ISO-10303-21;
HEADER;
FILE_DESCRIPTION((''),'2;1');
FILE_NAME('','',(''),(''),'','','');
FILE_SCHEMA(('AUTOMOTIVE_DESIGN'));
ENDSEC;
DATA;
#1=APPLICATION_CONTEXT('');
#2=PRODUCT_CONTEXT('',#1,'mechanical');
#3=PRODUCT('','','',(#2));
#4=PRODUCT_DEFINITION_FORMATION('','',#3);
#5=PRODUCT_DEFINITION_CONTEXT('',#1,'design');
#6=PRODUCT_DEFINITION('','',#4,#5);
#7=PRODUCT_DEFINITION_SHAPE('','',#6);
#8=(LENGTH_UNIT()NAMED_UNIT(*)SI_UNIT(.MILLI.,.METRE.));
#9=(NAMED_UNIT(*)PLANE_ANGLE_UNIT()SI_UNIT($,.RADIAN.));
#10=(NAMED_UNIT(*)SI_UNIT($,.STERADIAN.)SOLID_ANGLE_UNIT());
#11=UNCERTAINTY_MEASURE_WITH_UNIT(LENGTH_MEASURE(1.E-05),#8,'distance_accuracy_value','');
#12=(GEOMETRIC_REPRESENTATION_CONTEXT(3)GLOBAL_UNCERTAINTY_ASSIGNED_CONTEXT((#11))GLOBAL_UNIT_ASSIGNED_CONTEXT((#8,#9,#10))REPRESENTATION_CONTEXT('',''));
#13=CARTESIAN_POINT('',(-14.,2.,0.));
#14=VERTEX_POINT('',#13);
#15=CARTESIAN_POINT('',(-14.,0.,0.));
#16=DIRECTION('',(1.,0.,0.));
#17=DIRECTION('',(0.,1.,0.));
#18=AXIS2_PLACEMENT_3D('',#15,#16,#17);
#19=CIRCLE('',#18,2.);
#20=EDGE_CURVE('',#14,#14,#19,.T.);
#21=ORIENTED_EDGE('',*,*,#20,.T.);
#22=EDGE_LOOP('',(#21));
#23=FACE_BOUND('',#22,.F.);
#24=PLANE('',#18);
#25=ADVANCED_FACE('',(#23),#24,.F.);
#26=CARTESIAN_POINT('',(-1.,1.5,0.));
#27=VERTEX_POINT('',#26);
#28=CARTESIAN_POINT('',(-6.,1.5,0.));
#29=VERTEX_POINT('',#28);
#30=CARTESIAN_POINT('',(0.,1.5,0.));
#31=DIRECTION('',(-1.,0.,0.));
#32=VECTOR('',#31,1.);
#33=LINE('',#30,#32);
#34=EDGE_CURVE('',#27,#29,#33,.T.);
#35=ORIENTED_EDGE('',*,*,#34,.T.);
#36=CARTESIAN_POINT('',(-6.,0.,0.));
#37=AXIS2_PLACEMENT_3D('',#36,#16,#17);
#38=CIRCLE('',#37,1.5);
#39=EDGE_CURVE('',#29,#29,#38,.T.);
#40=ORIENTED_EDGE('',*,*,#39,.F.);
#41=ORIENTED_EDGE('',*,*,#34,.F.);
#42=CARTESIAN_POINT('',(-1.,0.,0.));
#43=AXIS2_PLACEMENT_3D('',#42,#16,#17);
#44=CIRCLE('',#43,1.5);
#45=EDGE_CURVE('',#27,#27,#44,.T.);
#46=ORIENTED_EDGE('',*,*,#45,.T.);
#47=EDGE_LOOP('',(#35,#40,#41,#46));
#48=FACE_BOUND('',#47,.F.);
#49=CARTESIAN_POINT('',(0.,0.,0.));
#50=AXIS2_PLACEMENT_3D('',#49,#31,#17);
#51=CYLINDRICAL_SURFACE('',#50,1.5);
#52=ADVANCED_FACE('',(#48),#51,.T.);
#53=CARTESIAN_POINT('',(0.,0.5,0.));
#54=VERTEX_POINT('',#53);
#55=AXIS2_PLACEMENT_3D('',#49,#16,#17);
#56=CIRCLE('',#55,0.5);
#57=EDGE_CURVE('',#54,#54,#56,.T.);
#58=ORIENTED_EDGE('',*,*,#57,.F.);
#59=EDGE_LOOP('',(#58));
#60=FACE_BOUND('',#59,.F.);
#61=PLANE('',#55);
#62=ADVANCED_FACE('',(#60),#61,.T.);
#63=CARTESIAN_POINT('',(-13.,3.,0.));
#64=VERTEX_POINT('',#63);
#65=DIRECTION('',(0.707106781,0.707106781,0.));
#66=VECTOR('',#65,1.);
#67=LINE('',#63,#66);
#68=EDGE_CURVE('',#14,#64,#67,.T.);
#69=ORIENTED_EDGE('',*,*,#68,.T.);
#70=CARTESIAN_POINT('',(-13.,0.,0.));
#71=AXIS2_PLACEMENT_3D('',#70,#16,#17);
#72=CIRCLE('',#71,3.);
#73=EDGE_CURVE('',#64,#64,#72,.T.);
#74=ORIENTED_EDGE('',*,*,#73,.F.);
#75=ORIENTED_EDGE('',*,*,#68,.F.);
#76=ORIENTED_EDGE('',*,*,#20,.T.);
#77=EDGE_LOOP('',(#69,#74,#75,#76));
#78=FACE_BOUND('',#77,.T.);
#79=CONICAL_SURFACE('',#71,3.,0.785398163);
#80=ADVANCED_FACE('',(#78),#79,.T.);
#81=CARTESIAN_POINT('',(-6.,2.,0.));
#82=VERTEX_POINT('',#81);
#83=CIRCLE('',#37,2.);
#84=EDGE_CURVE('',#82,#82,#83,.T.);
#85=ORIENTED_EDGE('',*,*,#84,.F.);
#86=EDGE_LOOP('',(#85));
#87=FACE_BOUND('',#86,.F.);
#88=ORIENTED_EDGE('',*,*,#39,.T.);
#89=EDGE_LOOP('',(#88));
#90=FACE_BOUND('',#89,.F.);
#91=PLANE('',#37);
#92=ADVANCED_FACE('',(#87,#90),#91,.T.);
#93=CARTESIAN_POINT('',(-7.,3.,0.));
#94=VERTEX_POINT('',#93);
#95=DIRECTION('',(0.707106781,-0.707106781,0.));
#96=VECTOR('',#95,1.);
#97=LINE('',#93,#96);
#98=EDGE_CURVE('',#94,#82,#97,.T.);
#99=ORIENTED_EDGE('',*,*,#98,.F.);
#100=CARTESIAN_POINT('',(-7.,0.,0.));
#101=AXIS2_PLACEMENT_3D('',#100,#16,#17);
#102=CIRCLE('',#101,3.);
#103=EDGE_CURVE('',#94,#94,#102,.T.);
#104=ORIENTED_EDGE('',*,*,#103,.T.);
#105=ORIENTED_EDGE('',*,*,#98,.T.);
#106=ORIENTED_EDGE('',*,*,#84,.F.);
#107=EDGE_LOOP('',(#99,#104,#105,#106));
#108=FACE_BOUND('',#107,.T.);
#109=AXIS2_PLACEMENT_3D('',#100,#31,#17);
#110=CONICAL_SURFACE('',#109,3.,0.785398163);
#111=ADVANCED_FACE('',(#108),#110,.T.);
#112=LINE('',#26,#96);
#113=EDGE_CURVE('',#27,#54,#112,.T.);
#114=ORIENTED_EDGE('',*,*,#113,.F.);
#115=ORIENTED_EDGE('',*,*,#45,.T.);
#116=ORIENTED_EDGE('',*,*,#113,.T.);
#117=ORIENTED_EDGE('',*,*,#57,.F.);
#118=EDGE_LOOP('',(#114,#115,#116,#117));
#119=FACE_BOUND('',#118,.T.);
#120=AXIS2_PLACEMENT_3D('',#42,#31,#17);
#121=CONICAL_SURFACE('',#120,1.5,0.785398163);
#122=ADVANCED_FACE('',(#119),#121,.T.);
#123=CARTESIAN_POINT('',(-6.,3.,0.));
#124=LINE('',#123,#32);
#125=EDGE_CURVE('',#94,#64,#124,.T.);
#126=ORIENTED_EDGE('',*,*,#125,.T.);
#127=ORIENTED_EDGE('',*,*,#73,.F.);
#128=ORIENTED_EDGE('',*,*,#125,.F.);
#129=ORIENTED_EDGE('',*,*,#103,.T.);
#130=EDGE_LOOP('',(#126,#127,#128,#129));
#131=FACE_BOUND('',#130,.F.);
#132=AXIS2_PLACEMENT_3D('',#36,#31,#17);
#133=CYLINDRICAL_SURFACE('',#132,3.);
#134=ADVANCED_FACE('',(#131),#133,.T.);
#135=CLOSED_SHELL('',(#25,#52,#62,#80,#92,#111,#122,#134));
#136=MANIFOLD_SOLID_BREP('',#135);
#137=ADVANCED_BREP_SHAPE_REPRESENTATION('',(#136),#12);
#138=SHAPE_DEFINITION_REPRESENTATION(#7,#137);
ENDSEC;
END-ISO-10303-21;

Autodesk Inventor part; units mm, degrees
ref_plane "YZ Plane" through (0, 0, 0) normal (1, 0, 0) x (0, 1, 0)
ref_plane "XZ Plane" through (0, 0, 0) normal (0, 1, 0) x (-1, 0, 0)
ref_plane "XY Plane" through (0, 0, 0) normal (0, 0, 1) x (1, 0, 0)
sketch "Skizze1" plane through (0, 0, 0) normal (0, 0, 1) x (1, 0, 0)
  line L0 (-16.8, 0) -> (2.8, 0) projected
  line L1 (0, -0.6) -> (0, 3.6) projected
  line L2 (0, 1.5) -> (-6, 1.5)
  line L3 (-6, 1.5) -> (-6, 3)
  line L4 (-6, 3) -> (-14, 3)
  line L5 (-14, 3) -> (-14, 0)
  line L6 (-14, 0) -> (0, 0)
  line L7 (0, 0) -> (0, 1.5)
  dimension "d0" = 3
  dimension "d1" = 6
  dimension "d2" = 6
  dimension "d3" = 8
revolve "Umdrehung1" add sketch "Skizze1" angle 360 about axis through (-10, 0, 0) along (1, 0, 0)
thread "Gewinde1" size "M3x0.5" class "6g" standard "ANSI Metric M Profile" full length
thread "Gewinde2" size "M1x0.25" class "6g" standard "ANSI Metric M Profile" full length
chamfer "Fase1" distance 1 angle 45 3 edges at (-14, -3, 0) (-6, -3, 0) (0, -1.5, 0)
properties part number "13_1087_017"
